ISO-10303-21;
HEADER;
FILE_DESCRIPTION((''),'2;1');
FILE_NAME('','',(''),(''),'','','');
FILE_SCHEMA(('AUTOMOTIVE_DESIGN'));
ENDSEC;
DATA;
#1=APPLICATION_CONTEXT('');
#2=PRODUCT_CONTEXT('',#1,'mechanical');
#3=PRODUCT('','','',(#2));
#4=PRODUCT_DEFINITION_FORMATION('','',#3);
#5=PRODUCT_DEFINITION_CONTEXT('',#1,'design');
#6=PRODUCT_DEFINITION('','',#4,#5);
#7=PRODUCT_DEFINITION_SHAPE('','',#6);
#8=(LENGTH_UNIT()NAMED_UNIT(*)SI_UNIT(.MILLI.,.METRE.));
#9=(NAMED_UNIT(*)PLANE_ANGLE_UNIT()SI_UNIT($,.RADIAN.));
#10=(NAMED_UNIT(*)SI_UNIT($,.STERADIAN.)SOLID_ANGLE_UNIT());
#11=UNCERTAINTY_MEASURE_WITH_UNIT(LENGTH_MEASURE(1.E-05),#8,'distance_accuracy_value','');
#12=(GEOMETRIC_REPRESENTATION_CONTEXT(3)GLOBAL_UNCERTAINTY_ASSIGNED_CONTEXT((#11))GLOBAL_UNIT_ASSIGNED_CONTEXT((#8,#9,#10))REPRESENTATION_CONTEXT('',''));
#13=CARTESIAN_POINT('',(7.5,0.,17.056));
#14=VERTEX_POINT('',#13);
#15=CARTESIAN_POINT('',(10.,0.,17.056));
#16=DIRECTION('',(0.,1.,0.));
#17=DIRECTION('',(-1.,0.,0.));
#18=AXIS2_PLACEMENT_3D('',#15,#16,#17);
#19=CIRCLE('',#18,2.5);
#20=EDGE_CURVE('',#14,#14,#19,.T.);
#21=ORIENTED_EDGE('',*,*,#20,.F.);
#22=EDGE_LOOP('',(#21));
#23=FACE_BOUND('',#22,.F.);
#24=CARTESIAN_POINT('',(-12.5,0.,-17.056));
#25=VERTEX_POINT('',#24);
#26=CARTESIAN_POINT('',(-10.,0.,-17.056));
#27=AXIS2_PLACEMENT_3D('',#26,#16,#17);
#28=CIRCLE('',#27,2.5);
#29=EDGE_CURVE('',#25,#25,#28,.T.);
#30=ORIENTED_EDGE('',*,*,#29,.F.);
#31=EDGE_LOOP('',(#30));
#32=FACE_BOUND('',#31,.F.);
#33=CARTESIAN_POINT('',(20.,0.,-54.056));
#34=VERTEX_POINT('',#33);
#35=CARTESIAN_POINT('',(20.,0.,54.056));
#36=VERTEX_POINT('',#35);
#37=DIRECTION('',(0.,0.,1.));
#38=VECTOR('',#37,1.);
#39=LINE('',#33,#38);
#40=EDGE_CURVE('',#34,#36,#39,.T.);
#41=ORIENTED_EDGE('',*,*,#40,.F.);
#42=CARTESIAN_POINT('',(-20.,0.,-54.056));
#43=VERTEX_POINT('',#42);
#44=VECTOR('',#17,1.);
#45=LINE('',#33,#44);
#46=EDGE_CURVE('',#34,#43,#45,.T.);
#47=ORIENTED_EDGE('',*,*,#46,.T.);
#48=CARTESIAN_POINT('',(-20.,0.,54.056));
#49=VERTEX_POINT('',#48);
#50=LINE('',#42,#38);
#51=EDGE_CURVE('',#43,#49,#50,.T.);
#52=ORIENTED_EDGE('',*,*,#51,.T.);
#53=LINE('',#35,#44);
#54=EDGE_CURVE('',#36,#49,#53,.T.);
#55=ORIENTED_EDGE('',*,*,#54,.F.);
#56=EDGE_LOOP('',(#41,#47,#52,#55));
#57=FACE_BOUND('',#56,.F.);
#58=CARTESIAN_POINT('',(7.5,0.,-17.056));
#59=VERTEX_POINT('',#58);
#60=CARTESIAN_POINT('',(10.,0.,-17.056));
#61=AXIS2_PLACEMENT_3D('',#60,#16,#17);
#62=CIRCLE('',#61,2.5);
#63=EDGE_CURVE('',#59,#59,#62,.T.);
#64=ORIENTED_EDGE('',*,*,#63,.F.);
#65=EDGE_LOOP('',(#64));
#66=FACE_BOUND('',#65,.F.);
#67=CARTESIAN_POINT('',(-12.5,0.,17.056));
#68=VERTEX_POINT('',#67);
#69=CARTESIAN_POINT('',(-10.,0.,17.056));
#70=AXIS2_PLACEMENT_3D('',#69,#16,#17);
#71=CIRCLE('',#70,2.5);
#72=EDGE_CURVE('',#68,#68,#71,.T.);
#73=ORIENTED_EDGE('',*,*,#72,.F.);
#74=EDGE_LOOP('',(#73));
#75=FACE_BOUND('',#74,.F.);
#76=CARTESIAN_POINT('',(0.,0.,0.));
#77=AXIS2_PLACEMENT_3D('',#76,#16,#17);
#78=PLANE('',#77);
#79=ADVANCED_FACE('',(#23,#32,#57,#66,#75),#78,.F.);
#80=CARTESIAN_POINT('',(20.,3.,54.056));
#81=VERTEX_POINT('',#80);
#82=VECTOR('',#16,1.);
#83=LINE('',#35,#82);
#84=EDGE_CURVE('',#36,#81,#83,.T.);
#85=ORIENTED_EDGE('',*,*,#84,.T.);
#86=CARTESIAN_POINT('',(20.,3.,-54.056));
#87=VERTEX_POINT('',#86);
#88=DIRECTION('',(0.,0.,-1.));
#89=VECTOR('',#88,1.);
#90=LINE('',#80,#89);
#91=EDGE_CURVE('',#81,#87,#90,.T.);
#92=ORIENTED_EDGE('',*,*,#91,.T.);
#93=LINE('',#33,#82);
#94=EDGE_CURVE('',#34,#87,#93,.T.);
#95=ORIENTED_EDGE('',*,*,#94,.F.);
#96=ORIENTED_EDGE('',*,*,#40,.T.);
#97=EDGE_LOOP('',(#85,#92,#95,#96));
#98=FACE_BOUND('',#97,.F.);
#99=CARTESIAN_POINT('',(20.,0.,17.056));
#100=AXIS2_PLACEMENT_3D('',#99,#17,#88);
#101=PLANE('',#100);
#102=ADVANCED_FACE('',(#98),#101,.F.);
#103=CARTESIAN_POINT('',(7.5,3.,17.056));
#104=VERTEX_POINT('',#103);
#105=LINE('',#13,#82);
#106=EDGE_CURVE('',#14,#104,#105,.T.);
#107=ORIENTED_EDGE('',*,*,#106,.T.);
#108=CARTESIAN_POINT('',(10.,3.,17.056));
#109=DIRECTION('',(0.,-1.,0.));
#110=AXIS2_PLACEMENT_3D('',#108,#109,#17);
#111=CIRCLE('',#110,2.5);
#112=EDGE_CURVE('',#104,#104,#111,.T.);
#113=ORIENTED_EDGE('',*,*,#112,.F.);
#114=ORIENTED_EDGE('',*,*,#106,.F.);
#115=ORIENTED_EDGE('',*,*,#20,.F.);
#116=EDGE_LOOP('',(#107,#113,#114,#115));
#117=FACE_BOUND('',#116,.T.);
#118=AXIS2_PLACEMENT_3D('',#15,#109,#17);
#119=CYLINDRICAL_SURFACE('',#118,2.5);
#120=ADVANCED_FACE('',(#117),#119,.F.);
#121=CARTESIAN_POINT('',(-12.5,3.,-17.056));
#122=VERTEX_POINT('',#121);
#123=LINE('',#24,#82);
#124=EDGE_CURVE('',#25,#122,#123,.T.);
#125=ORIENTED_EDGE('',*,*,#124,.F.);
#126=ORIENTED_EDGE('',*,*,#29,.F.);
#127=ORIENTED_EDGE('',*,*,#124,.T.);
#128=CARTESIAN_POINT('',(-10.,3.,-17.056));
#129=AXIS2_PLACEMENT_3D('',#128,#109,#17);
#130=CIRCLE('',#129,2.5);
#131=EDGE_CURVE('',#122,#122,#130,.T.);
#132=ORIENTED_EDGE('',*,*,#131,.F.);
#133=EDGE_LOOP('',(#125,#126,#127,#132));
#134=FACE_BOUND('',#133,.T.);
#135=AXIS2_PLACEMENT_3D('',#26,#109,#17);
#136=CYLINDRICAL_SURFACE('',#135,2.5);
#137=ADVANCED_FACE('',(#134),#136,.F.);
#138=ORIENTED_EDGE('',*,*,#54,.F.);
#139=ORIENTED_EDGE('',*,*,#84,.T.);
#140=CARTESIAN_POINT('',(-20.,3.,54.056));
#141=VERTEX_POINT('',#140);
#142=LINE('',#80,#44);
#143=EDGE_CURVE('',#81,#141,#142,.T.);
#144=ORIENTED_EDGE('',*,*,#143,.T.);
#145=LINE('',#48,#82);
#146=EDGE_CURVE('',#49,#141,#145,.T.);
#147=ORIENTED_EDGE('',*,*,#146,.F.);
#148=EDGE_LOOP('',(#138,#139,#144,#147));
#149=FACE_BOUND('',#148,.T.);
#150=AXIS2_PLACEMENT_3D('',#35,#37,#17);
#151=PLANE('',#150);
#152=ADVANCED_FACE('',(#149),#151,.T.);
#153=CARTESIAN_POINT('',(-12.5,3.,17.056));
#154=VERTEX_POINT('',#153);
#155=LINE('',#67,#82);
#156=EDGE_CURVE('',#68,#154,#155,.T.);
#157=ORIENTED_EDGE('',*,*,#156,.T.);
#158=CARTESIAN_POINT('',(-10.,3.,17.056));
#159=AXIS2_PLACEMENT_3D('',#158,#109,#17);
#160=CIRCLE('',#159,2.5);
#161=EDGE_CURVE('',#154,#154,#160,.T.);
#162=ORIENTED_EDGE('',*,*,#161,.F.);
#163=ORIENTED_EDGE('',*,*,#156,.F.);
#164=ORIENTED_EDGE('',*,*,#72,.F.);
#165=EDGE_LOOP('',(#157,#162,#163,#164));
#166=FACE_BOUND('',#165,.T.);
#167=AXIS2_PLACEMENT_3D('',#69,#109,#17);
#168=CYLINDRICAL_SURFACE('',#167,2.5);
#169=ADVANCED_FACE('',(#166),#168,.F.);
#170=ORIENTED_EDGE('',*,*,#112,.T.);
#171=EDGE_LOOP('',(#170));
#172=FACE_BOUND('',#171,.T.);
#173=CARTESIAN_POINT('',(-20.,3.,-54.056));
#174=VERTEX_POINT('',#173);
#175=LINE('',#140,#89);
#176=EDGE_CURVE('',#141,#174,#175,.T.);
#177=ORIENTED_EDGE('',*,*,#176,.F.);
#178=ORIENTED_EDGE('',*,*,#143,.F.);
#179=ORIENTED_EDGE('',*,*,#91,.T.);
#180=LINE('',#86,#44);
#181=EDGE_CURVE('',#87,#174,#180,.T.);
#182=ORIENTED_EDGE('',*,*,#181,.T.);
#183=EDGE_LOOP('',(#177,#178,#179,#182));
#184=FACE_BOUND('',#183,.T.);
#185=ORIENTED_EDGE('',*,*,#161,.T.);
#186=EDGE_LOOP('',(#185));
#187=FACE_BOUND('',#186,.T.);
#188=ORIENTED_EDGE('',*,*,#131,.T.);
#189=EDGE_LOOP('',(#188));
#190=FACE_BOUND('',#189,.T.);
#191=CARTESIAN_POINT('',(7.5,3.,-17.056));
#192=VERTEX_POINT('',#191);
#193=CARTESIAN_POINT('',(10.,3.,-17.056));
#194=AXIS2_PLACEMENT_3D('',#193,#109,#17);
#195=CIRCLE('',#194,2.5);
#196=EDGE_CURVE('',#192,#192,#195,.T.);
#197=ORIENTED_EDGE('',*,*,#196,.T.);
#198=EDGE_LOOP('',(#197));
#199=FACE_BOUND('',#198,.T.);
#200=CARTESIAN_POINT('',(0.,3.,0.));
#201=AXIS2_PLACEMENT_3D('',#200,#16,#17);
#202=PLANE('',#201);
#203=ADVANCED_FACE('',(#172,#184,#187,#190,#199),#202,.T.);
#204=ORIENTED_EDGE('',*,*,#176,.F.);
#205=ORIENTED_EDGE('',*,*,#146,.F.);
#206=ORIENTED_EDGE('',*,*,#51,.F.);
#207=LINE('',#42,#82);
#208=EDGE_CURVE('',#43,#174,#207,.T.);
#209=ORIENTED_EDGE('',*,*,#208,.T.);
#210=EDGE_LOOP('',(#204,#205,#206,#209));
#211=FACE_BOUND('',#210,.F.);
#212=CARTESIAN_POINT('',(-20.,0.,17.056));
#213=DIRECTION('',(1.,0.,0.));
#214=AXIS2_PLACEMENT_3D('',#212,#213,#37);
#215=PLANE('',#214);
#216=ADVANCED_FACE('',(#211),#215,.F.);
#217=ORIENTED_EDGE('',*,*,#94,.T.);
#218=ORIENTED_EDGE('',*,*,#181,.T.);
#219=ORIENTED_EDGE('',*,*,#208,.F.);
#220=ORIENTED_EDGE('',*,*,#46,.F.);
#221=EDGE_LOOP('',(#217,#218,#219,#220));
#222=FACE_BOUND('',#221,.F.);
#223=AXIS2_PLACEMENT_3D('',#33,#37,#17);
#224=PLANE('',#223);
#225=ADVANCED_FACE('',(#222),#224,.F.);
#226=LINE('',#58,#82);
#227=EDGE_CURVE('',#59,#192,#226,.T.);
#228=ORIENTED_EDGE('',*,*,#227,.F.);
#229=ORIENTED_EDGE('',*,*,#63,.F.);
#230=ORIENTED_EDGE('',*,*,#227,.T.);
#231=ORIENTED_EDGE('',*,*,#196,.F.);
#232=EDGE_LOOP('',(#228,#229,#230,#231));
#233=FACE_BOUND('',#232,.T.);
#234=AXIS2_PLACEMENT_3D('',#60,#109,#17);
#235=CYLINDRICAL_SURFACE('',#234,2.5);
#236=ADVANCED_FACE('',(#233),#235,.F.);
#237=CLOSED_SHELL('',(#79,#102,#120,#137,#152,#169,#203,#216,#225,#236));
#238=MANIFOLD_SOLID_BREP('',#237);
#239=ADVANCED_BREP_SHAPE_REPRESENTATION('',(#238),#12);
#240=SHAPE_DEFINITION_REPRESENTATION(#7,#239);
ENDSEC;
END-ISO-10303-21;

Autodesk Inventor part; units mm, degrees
ref_plane "YZ Plane" through (0, 0, 0) normal (1, 0, 0) x (0, 1, 0)
ref_plane "XZ Plane" through (0, 0, 0) normal (0, 1, 0) x (-1, 0, 0)
ref_plane "XY Plane" through (0, 0, 0) normal (0, 0, 1) x (1, 0, 0)
sketch "Sketch1" plane through (0, 0, 0) normal (0, 1, 0) x (-1, 0, 0)
  line L0 (20, 34.056) -> (-20, 34.056)
  line L1 (-20, 34.056) -> (-20, -34.056)
  line L2 (-20, -34.056) -> (20, -34.056)
  line L3 (20, -34.056) -> (20, 34.056)
  line L4 (20, 34.056) -> (-20, -34.056) construction
  line L5 (-20, 34.056) -> (20, -34.056) construction
  line L6 (-20, 34.056) -> (-10, 34.056)
  line L7 (-10, 34.056) -> (-10, 17.056)
  line L8 (-10, 17.056) -> (-20, 17.056)
  line L9 (-20, 17.056) -> (-20, 34.056)
  line L10 (20, 34.056) -> (10, 34.056)
  line L11 (10, 34.056) -> (10, 17.056)
  line L12 (10, 17.056) -> (20, 17.056)
  line L13 (20, 17.056) -> (20, 34.056)
  line L14 (20, -34.056) -> (10, -34.056)
  line L15 (10, -34.056) -> (10, -17.056)
  line L16 (10, -17.056) -> (20, -17.056)
  line L17 (20, -17.056) -> (20, -34.056)
  line L18 (-20, -34.056) -> (-10, -34.056)
  line L19 (-10, -34.056) -> (-10, -17.056)
  line L20 (-10, -17.056) -> (-20, -17.056)
  line L21 (-20, -17.056) -> (-20, -34.056)
  circle A0 centre (-10, 17.056) radius 2.5
  circle A1 centre (10, 17.056) radius 2.5
  circle A2 centre (10, -17.056) radius 2.5
  circle A3 centre (-10, -17.056) radius 2.5
  line L22 (20, 34.056) -> (-20, 34.056)
  line L23 (-20, 34.056) -> (-20, 54.056)
  line L24 (-20, 54.056) -> (20, 54.056)
  line L25 (20, 54.056) -> (20, 34.056)
  line L26 (20, -34.056) -> (-20, -34.056)
  line L27 (-20, -34.056) -> (-20, -54.056)
  line L28 (-20, -54.056) -> (20, -54.056)
  line L29 (20, -54.056) -> (20, -34.056)
  point P0 (0, 0)
  dimension "d0" = 40
  dimension "d1" = 68.112
  dimension "d2" = 10
  dimension "d3" = 17
  dimension "d4" = 10
  dimension "d5" = 17
  dimension "d6" = 10
  dimension "d7" = 17
  dimension "d8" = 10
  dimension "d9" = 17
  dimension "d10" = 5
  dimension "d11" = 5
  dimension "d12" = 5
  dimension "d13" = 5
  dimension "d14" = 20
  dimension "d15" = 20
extrude "Extrusion1" add sketch "Sketch1" along normal blind 3 contours L3 L12 A1 L11 L0 | L0 L23 L24 L25 | L11 A1 L12 L3 L16 A2 L15 L2 L19 A3 L20 L1 L8 A0 L7 L0 | L7 A0 L8 L1 L0 | L3 L2 L15 A2 L16 | L29 L28 L27 L2 | L20 A3 L19 L2 L1
properties part number "slider_puffer.iam" material "Polytetrafluoroethylene"
